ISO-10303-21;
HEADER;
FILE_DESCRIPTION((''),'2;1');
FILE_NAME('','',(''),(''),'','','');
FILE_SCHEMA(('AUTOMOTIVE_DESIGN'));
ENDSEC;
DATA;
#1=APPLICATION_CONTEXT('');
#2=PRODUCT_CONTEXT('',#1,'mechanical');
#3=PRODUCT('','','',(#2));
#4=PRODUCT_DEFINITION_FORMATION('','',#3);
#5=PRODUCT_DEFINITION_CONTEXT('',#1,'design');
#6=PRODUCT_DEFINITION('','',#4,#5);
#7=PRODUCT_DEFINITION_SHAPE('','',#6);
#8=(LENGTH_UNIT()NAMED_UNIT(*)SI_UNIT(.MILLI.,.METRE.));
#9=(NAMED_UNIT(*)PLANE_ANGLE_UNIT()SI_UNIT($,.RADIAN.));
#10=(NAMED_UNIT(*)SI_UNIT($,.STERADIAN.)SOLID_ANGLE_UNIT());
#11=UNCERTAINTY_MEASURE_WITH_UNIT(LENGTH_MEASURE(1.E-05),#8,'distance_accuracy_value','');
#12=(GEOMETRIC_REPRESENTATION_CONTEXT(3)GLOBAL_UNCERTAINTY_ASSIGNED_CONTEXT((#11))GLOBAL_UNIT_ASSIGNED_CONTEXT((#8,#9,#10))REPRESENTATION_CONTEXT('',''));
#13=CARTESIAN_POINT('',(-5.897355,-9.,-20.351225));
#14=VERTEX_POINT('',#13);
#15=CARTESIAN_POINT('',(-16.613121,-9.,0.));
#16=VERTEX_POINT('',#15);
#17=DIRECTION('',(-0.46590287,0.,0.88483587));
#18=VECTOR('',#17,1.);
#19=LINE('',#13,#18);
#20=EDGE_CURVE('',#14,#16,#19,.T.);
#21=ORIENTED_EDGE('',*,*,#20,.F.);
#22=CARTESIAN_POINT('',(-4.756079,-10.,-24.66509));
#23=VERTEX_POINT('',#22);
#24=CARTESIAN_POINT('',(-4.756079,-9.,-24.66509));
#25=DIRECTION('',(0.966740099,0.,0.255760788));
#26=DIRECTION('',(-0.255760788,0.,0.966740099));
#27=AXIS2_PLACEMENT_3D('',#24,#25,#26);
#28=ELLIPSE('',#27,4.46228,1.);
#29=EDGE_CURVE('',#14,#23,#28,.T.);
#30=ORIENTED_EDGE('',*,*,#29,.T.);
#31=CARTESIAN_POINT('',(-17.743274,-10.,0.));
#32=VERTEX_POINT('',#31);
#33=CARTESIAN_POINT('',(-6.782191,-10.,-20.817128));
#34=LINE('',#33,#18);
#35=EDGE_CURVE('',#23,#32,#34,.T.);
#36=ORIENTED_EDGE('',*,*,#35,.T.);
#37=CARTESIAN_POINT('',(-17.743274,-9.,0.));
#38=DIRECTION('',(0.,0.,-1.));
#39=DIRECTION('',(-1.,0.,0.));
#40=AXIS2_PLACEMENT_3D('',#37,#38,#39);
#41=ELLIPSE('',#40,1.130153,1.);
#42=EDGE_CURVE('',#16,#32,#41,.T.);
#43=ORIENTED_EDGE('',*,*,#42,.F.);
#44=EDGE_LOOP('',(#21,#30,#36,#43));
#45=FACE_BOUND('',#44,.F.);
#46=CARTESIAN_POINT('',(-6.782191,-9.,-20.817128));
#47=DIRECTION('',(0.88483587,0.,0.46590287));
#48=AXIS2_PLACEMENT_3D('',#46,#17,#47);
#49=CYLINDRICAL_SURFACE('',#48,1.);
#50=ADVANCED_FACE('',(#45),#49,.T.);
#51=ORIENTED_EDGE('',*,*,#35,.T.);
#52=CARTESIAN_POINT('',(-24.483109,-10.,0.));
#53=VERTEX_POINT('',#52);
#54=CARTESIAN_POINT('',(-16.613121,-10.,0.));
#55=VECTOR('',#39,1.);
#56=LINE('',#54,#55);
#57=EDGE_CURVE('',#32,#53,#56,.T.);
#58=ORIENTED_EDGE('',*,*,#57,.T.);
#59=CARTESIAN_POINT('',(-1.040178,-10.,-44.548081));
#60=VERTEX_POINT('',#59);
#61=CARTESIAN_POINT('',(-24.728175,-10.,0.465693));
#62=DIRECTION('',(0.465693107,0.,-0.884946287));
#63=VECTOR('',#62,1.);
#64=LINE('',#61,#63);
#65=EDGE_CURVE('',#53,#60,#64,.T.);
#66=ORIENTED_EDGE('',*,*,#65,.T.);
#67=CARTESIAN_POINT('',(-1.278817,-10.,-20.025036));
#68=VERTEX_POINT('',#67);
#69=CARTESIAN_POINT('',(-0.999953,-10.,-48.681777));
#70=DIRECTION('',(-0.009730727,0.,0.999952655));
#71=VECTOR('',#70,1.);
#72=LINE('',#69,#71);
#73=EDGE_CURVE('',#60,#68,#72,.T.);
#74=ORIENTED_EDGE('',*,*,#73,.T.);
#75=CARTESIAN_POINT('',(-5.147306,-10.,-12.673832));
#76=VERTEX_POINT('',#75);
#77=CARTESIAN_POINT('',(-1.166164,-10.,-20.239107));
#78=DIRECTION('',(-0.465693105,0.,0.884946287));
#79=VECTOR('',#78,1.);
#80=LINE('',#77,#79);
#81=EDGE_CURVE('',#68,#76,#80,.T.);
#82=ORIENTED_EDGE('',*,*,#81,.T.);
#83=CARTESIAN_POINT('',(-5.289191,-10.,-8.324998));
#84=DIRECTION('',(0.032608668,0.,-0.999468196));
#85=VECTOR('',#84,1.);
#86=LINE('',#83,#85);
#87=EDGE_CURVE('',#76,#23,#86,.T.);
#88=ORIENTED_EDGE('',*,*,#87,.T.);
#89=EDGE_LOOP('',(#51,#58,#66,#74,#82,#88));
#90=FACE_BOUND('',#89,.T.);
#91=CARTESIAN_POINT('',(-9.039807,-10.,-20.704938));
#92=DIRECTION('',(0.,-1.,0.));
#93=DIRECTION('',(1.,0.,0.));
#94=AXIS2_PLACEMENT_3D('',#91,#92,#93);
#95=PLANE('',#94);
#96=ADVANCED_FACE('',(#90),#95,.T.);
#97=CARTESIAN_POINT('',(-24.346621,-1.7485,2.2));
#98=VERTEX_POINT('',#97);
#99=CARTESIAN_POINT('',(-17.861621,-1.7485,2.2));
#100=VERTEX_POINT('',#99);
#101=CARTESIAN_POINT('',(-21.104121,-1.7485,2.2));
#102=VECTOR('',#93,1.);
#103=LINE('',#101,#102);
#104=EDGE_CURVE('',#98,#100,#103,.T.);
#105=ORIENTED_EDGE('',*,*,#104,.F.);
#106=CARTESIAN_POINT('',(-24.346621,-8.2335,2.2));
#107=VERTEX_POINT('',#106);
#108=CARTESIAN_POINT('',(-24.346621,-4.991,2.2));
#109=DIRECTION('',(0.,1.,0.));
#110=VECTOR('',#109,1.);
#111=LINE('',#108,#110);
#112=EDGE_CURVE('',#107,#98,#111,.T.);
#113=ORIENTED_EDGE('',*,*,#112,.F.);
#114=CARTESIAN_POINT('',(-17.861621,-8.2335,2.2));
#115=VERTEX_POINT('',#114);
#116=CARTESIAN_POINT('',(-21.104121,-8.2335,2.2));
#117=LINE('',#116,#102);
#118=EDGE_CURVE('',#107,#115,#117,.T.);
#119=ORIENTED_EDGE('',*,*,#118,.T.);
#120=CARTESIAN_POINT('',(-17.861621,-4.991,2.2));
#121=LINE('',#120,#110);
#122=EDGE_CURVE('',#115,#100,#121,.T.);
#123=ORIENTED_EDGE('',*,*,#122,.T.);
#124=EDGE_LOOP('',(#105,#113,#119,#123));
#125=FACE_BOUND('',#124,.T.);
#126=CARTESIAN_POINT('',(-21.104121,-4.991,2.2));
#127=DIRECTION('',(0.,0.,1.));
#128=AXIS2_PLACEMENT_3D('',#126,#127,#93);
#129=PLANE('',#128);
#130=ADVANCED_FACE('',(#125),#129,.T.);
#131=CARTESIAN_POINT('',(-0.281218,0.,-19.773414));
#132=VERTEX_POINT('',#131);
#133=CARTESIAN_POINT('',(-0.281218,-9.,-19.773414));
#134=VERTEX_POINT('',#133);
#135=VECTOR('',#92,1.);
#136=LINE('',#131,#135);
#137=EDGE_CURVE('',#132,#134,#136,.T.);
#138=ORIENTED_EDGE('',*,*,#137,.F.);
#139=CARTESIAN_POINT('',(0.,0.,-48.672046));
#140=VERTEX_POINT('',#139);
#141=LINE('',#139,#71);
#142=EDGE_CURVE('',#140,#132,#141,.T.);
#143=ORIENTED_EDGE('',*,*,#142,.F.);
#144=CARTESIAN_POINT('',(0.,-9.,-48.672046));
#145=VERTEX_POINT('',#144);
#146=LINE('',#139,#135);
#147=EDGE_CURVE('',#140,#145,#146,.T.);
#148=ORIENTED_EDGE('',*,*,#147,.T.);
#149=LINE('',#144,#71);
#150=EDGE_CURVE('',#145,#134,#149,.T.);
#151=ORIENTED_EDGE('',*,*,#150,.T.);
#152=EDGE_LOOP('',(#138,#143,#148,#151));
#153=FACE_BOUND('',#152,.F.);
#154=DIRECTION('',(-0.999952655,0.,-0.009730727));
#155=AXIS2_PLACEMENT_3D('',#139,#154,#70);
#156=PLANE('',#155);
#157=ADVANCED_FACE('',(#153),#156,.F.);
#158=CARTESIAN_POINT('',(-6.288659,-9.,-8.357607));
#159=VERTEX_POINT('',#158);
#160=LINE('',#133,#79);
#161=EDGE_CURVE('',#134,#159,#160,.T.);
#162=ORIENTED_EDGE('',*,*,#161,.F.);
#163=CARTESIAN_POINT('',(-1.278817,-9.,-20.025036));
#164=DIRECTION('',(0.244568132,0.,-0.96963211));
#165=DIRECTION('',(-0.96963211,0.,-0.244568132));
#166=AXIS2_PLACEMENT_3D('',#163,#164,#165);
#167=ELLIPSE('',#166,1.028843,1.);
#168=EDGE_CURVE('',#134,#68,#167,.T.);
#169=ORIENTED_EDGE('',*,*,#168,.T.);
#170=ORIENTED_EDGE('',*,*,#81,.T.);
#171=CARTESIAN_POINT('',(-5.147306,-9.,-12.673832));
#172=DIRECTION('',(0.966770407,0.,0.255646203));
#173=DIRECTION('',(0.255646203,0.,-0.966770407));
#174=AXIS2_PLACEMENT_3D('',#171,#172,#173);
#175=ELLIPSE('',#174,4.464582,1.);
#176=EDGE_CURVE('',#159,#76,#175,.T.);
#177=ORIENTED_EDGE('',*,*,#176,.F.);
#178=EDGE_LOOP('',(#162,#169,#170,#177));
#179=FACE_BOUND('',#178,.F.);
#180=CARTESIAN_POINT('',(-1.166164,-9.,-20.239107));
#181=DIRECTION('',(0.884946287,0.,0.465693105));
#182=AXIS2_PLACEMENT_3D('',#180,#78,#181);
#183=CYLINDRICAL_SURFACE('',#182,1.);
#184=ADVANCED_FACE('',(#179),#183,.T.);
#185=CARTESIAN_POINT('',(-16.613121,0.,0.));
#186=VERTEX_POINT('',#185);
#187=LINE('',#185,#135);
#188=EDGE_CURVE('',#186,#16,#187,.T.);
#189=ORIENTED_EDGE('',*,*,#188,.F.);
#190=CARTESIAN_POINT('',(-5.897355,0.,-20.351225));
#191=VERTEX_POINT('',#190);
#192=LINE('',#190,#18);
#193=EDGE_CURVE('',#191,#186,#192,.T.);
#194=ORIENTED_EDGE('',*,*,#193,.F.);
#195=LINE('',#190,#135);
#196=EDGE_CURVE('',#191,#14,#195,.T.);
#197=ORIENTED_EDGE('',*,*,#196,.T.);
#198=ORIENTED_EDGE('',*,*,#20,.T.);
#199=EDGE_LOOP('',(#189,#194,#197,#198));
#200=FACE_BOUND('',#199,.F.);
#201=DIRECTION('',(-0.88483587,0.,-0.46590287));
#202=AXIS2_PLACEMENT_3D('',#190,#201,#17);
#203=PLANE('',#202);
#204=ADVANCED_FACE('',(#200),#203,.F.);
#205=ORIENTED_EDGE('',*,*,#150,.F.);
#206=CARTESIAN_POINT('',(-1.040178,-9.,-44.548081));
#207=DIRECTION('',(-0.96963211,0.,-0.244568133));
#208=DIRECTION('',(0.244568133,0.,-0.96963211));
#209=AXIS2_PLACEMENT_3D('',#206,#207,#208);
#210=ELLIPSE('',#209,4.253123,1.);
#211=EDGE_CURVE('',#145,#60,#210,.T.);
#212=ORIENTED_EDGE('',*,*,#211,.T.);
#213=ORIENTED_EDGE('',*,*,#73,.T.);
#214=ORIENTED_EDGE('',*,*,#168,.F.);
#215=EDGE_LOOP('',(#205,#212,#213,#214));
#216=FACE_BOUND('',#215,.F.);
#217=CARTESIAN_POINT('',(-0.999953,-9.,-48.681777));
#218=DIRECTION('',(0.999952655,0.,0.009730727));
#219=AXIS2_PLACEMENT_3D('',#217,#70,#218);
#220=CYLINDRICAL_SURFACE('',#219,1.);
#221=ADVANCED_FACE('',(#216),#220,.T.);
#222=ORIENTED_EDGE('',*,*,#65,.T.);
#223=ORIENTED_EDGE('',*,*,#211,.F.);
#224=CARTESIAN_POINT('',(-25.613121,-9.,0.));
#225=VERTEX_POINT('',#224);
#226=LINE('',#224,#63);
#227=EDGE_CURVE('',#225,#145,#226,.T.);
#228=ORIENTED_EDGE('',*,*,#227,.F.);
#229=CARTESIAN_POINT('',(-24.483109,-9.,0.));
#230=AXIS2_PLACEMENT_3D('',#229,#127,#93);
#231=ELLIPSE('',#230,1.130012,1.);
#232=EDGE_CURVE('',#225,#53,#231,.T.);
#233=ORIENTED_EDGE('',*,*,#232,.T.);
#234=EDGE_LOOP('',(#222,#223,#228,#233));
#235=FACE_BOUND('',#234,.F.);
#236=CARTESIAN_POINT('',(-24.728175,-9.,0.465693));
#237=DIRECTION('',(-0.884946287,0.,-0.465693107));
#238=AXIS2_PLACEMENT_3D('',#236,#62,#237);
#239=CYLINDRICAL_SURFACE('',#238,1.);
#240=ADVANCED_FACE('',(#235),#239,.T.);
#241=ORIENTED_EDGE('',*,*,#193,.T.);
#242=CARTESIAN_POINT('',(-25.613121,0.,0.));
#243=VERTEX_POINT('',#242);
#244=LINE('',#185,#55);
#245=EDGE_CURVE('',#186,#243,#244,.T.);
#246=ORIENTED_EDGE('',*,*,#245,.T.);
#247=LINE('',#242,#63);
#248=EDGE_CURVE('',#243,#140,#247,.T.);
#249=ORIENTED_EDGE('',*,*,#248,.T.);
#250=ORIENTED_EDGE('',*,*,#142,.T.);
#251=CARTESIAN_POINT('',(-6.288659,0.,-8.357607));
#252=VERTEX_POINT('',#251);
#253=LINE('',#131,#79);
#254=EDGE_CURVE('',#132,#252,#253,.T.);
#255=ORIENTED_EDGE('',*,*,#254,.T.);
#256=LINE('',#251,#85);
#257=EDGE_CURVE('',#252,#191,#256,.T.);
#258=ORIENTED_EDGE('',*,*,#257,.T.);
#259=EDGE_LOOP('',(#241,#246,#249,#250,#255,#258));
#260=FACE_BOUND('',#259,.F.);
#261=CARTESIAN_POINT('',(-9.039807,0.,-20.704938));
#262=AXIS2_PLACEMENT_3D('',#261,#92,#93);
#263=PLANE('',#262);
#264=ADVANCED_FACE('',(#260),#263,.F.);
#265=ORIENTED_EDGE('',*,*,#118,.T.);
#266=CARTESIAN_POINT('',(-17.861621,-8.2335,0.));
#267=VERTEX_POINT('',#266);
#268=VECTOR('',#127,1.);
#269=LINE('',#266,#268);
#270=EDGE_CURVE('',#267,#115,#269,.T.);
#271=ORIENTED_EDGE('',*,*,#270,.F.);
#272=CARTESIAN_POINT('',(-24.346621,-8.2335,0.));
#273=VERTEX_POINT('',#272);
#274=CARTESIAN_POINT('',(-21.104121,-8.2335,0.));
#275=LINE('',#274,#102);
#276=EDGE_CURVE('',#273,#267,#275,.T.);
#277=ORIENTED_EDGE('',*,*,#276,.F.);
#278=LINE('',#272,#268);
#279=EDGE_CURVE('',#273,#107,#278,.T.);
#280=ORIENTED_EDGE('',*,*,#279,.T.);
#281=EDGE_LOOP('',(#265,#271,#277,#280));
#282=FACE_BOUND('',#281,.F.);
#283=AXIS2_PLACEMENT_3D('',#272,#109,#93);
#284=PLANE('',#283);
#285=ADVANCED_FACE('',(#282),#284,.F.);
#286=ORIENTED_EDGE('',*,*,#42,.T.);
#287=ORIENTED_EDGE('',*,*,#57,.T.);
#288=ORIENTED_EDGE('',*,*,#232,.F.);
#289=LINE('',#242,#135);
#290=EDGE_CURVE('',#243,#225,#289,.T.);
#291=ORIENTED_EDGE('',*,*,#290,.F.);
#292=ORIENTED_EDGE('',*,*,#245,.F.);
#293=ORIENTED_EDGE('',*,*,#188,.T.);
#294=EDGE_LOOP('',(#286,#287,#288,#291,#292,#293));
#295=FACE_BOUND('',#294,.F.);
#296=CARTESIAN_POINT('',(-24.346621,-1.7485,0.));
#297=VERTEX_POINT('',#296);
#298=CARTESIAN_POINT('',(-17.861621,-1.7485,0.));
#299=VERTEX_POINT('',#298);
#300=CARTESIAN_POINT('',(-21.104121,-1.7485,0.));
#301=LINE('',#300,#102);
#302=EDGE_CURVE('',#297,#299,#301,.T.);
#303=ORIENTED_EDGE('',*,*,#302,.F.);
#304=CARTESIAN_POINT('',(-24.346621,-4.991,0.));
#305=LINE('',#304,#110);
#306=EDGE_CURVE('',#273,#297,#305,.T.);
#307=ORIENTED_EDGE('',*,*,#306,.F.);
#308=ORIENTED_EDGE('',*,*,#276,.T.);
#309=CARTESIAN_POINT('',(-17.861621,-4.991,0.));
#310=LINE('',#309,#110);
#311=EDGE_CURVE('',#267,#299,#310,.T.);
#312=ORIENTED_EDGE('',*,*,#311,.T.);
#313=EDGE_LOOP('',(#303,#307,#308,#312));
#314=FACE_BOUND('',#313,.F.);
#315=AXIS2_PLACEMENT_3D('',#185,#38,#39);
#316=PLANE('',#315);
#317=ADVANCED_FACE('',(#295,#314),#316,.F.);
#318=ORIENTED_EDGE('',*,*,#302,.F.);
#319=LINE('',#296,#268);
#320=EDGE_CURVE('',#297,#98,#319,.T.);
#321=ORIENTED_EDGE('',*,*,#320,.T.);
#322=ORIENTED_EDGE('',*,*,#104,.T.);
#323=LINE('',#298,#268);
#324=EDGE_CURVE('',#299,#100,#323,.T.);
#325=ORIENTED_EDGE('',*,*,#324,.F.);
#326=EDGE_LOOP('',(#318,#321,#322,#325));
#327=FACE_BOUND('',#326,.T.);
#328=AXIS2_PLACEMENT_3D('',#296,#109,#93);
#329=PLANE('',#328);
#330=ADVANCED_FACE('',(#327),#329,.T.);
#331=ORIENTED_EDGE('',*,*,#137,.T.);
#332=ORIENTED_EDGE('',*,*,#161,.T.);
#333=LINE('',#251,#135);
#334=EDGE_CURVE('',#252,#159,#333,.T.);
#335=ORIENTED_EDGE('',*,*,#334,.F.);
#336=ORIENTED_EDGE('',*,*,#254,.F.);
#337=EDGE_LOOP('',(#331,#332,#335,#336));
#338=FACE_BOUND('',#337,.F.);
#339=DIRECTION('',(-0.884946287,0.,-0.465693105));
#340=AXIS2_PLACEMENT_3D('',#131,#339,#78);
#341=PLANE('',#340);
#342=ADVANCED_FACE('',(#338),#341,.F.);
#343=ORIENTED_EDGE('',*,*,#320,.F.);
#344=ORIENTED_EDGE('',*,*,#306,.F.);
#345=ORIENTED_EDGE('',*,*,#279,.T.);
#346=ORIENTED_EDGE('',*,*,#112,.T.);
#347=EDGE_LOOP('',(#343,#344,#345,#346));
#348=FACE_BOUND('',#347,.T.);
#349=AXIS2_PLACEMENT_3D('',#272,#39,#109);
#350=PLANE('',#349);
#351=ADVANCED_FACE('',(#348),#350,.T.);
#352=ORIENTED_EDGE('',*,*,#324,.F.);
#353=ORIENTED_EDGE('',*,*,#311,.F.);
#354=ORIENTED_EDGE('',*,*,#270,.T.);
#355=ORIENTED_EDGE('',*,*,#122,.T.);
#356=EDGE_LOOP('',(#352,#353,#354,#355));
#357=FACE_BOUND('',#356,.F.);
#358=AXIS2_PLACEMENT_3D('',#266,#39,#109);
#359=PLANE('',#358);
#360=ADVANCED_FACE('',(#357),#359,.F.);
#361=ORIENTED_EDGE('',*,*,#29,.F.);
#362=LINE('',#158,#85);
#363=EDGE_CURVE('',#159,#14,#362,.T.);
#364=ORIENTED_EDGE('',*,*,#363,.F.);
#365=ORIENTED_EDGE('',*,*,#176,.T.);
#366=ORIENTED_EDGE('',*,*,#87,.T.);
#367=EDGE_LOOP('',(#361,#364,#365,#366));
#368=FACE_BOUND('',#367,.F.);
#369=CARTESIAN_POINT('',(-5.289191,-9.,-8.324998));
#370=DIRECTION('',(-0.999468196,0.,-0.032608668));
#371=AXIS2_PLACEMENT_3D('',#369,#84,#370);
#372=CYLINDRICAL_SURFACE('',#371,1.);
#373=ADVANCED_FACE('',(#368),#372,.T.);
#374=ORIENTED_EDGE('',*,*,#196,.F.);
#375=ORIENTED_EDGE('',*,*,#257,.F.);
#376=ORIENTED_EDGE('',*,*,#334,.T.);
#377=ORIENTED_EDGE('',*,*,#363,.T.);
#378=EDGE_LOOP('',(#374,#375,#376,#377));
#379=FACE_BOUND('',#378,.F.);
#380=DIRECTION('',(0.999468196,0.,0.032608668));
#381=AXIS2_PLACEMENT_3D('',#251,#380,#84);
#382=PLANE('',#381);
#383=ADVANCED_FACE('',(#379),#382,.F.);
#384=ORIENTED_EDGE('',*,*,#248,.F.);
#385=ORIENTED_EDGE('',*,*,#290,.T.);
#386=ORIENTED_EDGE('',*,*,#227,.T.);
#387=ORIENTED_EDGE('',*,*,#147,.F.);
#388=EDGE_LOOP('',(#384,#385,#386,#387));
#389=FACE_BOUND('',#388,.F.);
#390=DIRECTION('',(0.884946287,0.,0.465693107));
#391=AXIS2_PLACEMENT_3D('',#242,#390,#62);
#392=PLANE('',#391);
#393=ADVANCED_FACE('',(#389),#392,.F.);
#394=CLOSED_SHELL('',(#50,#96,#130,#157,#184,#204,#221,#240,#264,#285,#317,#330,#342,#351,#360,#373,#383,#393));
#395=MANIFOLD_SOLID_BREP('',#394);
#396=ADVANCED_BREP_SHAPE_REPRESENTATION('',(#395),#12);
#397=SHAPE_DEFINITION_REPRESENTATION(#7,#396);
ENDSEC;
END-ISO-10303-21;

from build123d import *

# Parameters (mm, degrees)
F1_DEPTH = 10
F2_R     = 1
F3_W     = 6.485
F3_H     = 6.485
F4_DEPTH = 2.2


with BuildPart() as f1:
    # F0 (on Front) → F1 (new body)
    with BuildSketch(Plane.XZ):
        Polygon((-16.613121, 0), (-25.613121, 0), (0, -48.672046), (-0.281218, -19.773414), (-6.288659, -8.357607), (-5.897355, -20.351225), align=None)
    extrude(amount=F1_DEPTH)

    # F2
    f2_edges = [f1.edges().sort_by_distance(p)[0] for p in [
        (-12.806561, -10, -24.336023),
        (-11.255238, -10, -10.175613),
        (-6.093007, -10, -14.354416),
        (-3.284939, -10, -14.06551),
        (-0.140609, -10, -34.22273),
    ]]
    fillet(f2_edges, radius=F2_R)

    # F3 (on face) → F4 (join)
    with BuildSketch(Plane.XY):
        with Locations((-21.104121, -4.991)):
            Rectangle(F3_W, F3_H)
    extrude(amount=F4_DEPTH)


solid = f1.part
